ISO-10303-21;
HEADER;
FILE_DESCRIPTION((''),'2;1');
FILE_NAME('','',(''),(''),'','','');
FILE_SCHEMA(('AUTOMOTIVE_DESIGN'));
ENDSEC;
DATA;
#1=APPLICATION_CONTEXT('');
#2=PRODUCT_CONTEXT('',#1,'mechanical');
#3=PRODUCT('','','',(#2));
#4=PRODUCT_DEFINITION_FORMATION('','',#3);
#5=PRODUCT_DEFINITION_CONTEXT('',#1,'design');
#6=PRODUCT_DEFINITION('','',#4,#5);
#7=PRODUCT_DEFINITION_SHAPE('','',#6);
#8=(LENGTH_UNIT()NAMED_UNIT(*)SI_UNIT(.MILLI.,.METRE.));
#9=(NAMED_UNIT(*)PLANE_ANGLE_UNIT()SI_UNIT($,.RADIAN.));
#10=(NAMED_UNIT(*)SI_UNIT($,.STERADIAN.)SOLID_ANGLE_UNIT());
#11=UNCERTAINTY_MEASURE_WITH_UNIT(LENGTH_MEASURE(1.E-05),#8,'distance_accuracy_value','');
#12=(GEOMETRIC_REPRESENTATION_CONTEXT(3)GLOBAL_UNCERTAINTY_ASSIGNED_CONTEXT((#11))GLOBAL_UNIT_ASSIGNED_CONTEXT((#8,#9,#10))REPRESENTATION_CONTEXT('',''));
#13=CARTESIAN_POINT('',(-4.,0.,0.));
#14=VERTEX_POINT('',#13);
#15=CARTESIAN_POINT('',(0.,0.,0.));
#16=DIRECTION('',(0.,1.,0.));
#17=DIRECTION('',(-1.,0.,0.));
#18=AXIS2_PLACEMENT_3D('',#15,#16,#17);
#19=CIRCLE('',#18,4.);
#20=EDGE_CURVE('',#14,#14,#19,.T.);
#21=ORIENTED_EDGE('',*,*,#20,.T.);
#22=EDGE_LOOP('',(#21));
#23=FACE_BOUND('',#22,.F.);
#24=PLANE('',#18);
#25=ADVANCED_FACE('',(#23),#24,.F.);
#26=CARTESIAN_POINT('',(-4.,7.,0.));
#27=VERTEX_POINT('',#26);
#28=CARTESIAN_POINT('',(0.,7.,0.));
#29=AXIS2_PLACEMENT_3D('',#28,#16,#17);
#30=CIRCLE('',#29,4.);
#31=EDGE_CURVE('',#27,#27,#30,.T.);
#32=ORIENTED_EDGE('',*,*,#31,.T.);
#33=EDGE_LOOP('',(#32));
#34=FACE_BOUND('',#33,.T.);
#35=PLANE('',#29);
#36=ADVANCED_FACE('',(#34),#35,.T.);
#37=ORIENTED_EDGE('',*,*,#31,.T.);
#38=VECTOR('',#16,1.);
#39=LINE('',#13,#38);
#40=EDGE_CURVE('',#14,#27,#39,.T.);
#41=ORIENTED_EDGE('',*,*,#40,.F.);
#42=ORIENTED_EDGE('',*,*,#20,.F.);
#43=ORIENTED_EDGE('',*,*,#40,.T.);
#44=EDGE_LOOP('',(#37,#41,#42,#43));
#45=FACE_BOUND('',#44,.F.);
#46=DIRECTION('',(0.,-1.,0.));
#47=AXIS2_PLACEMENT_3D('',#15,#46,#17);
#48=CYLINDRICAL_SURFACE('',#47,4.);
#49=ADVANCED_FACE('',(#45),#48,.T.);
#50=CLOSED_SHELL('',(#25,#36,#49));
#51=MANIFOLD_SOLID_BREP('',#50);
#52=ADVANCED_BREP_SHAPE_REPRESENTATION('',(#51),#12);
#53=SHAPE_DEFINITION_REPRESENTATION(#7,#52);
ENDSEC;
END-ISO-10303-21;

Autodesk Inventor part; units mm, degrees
ref_plane "YZ Plane" through (0, 0, 0) normal (1, 0, 0) x (0, 1, 0)
ref_plane "XZ Plane" through (0, 0, 0) normal (0, 1, 0) x (-1, 0, 0)
ref_plane "XY Plane" through (0, 0, 0) normal (0, 0, 1) x (1, 0, 0)
sketch "Sketch1" plane through (0, 0, 0) normal (0, 1, 0) x (-1, 0, 0)
  circle A0 centre (0, 0) radius 4
  dimension "d0" = 8
extrude "Extrusion1" add sketch "Sketch1" along normal blind 7
properties part number "rapoukLegPinv1" material "EN AW-6060 T6"
